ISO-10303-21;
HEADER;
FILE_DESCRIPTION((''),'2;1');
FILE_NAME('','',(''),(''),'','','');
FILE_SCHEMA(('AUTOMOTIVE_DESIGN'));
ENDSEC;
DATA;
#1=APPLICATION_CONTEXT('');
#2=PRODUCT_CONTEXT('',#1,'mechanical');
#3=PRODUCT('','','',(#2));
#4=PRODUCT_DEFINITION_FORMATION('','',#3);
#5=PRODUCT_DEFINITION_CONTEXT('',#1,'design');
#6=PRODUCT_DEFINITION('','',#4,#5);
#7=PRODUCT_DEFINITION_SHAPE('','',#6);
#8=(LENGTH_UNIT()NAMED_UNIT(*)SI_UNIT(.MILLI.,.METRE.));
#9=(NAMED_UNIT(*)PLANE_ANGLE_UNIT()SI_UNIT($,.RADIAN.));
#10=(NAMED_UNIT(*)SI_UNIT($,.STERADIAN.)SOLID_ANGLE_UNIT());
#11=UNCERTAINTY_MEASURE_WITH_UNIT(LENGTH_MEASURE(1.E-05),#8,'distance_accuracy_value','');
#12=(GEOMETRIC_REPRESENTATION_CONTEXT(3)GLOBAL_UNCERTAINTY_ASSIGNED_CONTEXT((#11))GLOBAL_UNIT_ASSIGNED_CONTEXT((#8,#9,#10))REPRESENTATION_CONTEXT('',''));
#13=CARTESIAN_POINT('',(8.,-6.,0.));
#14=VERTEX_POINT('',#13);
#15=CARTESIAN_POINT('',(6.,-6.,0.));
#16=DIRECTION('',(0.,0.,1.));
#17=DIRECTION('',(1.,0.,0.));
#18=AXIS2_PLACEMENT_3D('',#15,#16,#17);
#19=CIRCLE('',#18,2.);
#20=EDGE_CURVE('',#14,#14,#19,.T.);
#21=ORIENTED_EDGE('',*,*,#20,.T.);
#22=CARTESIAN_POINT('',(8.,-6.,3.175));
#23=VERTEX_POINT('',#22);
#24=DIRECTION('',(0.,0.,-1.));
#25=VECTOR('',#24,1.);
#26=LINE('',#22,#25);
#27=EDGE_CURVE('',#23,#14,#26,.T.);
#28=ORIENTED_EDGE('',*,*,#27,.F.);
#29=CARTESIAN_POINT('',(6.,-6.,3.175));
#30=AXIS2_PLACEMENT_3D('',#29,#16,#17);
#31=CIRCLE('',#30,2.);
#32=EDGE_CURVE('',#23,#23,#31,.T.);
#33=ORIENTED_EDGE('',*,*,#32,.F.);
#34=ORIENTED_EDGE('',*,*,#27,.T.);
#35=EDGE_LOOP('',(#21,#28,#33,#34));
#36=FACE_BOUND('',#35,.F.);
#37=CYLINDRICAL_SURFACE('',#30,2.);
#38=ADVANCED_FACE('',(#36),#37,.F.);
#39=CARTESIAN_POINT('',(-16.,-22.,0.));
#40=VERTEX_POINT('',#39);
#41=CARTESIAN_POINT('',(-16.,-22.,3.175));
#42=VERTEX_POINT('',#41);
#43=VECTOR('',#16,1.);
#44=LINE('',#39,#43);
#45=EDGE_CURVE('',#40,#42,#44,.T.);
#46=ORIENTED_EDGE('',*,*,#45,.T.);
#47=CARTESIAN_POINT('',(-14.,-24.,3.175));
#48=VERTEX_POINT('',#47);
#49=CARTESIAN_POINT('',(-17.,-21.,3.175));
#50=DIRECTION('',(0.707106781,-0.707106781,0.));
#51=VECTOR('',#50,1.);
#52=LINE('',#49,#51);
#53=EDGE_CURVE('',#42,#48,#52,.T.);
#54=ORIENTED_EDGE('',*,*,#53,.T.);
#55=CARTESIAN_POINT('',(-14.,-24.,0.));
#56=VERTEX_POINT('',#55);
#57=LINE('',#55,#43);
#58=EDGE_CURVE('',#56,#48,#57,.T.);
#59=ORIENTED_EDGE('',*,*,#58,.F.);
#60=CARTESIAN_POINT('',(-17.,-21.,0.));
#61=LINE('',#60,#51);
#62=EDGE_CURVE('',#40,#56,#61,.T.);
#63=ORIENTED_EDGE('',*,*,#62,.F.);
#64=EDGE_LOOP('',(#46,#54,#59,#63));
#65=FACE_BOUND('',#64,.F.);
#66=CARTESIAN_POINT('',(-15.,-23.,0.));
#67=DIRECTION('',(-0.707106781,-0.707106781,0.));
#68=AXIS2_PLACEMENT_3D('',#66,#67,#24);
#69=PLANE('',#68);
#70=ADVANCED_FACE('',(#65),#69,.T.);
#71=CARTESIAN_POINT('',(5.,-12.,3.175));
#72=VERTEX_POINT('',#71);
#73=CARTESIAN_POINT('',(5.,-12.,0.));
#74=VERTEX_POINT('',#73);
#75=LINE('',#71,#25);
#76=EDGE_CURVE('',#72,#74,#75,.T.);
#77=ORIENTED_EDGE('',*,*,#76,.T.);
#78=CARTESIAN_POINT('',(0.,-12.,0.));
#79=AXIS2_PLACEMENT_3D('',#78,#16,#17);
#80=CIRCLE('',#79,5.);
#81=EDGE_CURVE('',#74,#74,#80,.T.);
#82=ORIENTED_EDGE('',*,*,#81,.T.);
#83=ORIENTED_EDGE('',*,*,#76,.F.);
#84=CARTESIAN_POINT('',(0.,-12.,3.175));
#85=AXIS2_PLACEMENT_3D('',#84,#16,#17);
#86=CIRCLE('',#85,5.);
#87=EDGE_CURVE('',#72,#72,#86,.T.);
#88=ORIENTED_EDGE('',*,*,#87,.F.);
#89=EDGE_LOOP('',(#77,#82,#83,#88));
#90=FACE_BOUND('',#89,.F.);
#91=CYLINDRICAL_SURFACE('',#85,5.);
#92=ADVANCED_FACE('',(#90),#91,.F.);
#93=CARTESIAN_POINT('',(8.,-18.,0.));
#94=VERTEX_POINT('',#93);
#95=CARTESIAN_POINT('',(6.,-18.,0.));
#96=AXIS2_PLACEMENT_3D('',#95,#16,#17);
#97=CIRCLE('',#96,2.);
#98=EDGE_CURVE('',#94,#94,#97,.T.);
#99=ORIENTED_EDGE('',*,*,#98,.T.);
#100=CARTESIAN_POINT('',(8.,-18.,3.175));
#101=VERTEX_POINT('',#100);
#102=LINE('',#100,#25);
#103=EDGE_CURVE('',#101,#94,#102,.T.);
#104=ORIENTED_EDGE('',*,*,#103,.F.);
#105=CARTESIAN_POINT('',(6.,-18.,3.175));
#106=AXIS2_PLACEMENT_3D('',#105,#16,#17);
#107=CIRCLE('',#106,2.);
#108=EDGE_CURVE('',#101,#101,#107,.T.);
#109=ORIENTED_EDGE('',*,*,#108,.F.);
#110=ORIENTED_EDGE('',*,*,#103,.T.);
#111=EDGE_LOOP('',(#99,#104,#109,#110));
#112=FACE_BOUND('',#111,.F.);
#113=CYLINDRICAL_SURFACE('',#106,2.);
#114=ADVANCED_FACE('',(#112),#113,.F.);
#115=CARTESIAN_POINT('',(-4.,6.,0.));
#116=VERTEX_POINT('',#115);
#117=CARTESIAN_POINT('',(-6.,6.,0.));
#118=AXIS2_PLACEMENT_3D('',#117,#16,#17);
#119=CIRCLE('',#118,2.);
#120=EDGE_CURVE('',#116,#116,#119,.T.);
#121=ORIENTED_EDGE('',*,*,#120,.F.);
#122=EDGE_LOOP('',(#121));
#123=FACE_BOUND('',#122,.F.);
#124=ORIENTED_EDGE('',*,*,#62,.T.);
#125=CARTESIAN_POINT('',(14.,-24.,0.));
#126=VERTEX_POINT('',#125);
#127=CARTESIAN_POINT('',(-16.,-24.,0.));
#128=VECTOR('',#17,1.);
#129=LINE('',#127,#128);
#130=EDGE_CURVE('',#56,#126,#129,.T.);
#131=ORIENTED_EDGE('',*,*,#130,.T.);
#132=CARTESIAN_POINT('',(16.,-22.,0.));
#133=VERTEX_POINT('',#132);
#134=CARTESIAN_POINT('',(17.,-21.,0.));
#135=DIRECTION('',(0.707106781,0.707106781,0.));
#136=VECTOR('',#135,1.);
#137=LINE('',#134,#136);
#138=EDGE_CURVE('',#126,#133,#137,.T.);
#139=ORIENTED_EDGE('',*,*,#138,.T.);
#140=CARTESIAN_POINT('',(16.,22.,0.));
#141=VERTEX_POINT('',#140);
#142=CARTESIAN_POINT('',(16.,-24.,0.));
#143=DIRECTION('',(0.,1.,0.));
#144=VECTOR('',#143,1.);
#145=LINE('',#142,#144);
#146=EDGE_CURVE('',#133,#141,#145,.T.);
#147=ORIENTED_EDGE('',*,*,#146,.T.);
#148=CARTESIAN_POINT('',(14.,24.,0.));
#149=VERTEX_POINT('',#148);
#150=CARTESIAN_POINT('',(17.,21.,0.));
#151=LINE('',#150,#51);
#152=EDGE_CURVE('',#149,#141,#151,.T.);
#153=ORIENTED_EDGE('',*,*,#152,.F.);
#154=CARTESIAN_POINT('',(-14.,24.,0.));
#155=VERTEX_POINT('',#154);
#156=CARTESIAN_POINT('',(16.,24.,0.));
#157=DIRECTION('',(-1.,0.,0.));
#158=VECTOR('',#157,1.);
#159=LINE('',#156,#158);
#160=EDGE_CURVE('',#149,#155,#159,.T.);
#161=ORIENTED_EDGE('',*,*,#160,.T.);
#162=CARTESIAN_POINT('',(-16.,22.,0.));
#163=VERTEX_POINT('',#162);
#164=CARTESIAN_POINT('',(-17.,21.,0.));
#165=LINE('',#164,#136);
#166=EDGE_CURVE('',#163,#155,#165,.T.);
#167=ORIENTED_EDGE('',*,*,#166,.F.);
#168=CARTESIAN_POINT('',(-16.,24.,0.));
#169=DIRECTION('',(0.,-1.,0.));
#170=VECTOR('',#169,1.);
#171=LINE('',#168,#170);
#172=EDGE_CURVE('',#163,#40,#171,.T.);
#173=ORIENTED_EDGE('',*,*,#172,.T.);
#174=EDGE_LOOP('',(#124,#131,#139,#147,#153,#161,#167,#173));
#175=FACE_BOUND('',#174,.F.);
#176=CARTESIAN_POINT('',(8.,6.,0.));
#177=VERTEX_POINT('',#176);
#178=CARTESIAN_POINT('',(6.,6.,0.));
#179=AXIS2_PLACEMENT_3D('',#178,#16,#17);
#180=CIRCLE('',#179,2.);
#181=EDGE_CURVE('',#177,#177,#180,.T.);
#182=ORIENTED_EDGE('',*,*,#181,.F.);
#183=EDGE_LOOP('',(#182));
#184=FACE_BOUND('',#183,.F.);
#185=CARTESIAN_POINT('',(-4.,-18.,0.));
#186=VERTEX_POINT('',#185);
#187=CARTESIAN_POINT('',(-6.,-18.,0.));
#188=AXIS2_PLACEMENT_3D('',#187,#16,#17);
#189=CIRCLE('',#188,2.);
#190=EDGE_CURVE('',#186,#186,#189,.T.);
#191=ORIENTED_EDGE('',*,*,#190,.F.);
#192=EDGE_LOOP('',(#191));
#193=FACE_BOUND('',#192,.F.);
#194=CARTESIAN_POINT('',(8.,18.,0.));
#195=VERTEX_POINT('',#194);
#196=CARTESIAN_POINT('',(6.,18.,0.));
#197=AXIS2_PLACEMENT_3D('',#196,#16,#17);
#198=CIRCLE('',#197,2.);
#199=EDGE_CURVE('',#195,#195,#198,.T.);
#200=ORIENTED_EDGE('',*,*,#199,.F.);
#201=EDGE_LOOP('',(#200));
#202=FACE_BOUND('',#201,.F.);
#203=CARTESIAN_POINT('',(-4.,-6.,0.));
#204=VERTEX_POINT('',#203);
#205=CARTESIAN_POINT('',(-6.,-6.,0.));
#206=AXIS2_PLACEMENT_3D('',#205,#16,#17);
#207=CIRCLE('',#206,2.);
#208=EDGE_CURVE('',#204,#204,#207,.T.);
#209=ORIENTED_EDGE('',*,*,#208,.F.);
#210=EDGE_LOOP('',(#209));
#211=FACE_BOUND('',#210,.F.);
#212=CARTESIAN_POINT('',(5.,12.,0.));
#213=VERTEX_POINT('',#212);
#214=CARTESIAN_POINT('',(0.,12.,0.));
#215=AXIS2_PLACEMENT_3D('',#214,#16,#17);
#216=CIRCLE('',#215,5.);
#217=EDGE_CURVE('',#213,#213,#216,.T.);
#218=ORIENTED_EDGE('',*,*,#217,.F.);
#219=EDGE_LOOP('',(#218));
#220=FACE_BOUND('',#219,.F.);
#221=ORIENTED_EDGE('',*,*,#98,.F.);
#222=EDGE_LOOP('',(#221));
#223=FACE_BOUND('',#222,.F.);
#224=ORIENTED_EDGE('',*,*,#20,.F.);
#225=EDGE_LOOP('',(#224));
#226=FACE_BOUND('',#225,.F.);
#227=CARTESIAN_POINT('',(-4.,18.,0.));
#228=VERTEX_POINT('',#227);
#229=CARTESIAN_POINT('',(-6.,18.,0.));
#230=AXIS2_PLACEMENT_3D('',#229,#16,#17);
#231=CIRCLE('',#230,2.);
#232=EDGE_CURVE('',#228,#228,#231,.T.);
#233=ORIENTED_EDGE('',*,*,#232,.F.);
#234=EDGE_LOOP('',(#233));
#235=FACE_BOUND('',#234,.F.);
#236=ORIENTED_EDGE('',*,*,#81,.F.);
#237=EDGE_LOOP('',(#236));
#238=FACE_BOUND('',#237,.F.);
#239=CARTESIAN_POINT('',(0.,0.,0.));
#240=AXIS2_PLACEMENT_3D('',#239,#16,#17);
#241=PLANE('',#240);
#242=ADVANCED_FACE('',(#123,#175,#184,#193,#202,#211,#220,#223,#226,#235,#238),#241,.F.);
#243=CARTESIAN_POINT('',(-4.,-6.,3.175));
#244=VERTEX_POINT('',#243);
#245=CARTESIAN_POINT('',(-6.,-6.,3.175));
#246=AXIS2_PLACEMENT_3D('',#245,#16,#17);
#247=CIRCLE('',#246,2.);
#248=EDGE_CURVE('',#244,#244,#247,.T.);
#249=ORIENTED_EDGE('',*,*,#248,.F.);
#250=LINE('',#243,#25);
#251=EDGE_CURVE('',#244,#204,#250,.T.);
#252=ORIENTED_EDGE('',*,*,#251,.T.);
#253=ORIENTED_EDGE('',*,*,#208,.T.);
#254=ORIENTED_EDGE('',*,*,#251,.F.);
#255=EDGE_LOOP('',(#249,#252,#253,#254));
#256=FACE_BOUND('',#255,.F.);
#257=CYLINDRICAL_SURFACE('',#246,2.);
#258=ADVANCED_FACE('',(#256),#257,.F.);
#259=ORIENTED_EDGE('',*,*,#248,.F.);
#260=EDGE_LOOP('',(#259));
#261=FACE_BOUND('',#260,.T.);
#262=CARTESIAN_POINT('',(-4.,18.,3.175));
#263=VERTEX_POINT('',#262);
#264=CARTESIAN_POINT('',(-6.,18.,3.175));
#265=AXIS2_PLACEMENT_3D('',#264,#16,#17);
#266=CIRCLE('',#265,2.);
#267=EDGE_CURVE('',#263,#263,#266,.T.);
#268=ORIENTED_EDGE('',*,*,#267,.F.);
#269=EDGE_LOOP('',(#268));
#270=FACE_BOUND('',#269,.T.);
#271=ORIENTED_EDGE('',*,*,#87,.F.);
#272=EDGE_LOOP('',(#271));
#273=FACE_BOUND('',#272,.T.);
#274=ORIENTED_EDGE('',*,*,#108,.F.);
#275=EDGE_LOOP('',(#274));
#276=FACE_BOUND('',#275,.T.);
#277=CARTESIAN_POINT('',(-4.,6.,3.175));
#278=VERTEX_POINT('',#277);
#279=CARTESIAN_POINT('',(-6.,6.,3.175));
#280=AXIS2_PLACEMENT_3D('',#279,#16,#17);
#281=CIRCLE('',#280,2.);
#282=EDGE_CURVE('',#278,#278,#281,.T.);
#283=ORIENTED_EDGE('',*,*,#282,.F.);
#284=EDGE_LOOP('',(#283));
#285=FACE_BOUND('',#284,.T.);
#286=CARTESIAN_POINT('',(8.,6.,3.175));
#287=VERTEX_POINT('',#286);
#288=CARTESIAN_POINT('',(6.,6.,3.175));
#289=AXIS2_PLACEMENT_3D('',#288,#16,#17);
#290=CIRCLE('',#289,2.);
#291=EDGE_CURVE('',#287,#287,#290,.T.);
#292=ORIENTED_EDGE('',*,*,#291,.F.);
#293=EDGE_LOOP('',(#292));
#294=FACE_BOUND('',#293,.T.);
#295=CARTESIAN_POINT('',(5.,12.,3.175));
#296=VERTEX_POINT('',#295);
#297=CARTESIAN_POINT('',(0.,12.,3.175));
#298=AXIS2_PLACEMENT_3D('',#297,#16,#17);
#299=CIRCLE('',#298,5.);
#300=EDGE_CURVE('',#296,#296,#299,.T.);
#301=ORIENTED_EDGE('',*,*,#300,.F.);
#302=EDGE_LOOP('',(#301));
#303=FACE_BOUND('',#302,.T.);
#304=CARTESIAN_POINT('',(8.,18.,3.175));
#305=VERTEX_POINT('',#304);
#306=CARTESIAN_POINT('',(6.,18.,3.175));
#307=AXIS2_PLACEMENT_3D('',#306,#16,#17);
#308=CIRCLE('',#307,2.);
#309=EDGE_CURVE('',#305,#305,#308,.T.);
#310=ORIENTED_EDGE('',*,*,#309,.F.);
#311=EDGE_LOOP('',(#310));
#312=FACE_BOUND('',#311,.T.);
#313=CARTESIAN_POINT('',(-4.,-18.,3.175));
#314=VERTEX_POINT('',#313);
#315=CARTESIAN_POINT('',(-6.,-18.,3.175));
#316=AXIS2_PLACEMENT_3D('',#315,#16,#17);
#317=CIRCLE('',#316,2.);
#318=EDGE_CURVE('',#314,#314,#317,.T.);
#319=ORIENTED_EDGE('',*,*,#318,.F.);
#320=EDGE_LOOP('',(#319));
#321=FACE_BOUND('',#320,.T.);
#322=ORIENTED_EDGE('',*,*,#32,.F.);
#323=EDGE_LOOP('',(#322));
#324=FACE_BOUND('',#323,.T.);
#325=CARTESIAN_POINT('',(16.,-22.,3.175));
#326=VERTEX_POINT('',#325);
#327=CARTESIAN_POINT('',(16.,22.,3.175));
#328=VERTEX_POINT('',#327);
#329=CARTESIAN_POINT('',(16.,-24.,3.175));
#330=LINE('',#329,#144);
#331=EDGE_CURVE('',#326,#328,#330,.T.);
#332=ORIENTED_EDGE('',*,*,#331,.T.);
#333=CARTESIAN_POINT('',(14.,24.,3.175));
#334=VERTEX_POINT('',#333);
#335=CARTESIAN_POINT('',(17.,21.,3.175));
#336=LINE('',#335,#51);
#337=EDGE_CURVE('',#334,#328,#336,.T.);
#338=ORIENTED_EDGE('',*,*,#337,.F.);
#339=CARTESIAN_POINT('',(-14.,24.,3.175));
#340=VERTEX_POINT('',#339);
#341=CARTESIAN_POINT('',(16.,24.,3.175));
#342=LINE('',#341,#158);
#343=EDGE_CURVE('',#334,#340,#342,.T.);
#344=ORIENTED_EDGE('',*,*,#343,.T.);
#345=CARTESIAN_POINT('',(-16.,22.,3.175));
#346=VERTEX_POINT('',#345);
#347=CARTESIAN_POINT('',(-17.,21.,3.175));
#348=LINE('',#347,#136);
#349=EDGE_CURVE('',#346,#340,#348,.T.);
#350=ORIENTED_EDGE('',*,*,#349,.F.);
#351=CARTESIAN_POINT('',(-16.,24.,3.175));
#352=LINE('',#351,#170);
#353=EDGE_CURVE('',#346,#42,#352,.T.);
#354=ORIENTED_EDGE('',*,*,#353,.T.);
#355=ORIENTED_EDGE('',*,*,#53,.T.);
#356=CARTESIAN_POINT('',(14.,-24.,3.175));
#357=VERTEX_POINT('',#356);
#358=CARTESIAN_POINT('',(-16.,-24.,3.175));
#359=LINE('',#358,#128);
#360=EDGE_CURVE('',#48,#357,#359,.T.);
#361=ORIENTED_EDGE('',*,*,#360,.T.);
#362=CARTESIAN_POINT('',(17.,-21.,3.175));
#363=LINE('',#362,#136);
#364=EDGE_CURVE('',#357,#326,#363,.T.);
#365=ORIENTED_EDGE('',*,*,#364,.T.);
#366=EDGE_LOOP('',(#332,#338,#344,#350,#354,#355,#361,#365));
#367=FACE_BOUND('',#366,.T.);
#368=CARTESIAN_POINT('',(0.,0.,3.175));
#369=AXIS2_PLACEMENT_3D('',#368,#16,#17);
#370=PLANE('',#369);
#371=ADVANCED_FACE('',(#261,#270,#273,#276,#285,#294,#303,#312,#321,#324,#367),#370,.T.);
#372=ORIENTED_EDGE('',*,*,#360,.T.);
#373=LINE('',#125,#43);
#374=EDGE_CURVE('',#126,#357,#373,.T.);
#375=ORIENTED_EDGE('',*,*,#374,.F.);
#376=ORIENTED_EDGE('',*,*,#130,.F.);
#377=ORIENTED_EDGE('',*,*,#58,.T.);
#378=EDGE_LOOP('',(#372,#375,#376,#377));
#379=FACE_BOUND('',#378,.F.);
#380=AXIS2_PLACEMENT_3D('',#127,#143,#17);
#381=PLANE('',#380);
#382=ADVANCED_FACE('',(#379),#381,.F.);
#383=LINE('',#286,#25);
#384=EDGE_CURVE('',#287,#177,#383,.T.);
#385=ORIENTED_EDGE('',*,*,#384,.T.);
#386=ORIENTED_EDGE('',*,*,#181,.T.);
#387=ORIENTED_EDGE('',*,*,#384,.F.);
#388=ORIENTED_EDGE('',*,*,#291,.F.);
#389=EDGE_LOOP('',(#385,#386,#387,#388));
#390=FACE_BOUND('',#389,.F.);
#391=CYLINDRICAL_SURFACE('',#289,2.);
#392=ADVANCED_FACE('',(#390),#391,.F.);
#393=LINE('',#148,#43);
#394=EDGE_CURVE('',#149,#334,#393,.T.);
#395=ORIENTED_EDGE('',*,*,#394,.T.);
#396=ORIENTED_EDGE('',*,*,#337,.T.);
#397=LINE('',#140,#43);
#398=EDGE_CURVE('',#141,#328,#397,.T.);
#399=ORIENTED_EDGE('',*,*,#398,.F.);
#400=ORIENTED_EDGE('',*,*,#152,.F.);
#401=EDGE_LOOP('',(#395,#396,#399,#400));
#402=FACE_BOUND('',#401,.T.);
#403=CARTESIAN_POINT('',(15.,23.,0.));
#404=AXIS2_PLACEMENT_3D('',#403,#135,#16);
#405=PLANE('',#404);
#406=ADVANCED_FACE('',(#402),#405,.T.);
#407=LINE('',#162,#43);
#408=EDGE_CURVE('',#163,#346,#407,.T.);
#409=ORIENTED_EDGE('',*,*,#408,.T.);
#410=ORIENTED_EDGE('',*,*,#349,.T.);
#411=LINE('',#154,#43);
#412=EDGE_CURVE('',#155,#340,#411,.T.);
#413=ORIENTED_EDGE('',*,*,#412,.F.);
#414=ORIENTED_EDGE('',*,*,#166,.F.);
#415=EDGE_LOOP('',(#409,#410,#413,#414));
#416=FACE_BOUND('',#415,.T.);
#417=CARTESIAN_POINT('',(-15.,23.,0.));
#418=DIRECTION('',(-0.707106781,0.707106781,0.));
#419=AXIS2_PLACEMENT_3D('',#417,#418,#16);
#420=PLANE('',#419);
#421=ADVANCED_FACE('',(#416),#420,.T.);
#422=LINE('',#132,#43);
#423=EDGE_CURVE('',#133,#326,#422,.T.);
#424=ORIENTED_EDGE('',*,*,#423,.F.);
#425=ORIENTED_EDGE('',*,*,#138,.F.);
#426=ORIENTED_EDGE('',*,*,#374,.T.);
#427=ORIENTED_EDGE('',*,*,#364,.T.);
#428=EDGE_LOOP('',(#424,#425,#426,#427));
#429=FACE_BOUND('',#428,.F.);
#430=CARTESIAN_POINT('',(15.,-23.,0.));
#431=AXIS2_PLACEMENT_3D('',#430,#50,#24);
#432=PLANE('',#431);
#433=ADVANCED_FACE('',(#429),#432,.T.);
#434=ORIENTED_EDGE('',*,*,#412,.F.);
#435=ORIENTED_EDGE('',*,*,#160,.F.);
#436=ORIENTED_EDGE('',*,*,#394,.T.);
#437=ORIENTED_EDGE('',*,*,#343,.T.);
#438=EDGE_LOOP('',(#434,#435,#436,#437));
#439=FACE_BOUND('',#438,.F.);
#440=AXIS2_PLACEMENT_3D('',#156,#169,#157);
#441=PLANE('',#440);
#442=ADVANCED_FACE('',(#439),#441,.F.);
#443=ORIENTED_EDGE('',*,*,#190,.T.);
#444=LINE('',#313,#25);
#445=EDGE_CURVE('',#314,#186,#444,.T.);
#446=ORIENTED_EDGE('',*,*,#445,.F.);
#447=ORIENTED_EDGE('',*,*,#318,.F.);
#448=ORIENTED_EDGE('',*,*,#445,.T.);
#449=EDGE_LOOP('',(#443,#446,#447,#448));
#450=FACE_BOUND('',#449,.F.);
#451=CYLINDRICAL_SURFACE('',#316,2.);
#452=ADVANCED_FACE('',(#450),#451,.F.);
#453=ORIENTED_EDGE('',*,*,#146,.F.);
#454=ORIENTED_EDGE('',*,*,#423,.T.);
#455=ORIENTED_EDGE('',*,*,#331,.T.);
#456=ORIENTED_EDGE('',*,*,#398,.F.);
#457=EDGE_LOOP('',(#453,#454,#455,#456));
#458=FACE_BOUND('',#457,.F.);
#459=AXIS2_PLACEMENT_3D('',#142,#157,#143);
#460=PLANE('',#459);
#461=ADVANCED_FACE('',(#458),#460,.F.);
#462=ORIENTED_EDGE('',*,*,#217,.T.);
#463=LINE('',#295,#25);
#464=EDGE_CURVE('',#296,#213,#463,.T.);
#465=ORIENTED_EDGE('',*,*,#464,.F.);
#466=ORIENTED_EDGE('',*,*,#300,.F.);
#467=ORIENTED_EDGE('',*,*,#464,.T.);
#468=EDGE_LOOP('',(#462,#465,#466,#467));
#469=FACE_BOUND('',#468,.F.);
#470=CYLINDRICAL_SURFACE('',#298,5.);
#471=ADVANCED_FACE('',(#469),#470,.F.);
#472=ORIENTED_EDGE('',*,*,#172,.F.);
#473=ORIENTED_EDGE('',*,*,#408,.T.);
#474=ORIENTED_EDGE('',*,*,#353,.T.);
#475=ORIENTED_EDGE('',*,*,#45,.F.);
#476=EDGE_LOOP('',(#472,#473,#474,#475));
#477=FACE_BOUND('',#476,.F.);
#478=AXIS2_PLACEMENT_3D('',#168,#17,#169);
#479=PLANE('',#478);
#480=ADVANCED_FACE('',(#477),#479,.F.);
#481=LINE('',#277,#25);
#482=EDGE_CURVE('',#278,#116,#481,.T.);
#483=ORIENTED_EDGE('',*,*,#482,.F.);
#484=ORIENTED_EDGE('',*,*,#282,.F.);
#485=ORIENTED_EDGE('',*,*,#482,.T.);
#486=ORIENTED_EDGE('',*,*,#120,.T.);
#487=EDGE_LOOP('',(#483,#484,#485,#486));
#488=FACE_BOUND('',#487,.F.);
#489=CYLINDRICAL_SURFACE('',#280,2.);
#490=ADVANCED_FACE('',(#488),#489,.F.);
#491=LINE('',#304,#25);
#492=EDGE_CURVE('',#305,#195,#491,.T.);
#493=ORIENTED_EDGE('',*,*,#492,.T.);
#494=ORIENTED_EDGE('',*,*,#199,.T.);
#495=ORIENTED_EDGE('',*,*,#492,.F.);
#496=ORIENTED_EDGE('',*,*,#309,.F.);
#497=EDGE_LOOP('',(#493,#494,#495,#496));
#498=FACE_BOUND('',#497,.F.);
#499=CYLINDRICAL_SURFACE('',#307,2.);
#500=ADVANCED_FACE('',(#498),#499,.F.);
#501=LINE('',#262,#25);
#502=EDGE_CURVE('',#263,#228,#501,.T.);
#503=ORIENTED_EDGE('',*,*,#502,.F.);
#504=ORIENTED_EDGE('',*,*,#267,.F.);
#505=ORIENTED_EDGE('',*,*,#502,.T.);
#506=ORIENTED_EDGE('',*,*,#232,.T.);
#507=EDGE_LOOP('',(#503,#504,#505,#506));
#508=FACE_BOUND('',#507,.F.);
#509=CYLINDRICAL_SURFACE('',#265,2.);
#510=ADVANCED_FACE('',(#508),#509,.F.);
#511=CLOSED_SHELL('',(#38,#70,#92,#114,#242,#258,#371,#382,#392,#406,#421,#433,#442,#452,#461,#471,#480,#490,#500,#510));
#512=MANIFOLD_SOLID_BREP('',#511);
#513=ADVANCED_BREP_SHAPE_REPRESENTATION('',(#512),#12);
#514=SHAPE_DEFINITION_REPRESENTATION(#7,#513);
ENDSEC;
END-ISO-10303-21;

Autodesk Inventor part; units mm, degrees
ref_plane "YZ Plane" through (0, 0, 0) normal (1, 0, 0) x (0, 1, 0)
ref_plane "XZ Plane" through (0, 0, 0) normal (0, 1, 0) x (-1, 0, 0)
ref_plane "XY Plane" through (0, 0, 0) normal (0, 0, 1) x (1, 0, 0)
sketch "Sketch1" plane through (0, 0, 0) normal (0, 0, 1) x (1, 0, 0)
  line L0 (-16, -24) -> (16, -24)
  line L1 (16, -24) -> (16, 24)
  line L2 (16, 24) -> (-16, 24)
  line L3 (-16, 24) -> (-16, -24)
  line L4 (-16, -24) -> (16, 24) construction
  line L5 (16, -24) -> (-16, 24) construction
  point P0 (0, 0)
  dimension "d0" = 32
  dimension "d1" = 48
extrude "Extrusion1" add sketch "Sketch1" along normal blind 3.175
sketch "Sketch2" plane through (0, 0, 3.175) normal (0, 0, 1) x (1, 0, 0)
  circle A0 centre (0, -12) radius 5
  line L0 (-16, 24) -> (-16, -24) construction
  line L1 (-16, 0) -> (16, 0) construction
  line L2 (16, -24) -> (16, 24) construction
  circle A1 centre (-6, -6) radius 2
  circle A2 centre (-6, -18) radius 2
  circle A3 centre (6, -18) radius 2
  circle A4 centre (6, -6) radius 2
  circle A5 centre (0, 12) radius 5
  circle A6 centre (-6, 6) radius 2
  circle A7 centre (-6, 18) radius 2
  circle A8 centre (6, 18) radius 2
  circle A9 centre (6, 6) radius 2
  point P0 (0, 0)
  dimension "d4" = 10
  dimension "d5" = 12
  dimension "d6" = 4
  dimension "d7" = 6
  dimension "d8" = 6
  dimension "d11" = 360
extrude "Extrusion2" cut sketch "Sketch2" against normal through all
chamfer "Chamfer1" distance 2 angle 45 4 edges at (16, 24, 1.5875) (-16, 24, 1.5875) (16, -24, 1.5875) (-16, -24, 1.5875)
properties part number "UpperLayerSupportPlate"
